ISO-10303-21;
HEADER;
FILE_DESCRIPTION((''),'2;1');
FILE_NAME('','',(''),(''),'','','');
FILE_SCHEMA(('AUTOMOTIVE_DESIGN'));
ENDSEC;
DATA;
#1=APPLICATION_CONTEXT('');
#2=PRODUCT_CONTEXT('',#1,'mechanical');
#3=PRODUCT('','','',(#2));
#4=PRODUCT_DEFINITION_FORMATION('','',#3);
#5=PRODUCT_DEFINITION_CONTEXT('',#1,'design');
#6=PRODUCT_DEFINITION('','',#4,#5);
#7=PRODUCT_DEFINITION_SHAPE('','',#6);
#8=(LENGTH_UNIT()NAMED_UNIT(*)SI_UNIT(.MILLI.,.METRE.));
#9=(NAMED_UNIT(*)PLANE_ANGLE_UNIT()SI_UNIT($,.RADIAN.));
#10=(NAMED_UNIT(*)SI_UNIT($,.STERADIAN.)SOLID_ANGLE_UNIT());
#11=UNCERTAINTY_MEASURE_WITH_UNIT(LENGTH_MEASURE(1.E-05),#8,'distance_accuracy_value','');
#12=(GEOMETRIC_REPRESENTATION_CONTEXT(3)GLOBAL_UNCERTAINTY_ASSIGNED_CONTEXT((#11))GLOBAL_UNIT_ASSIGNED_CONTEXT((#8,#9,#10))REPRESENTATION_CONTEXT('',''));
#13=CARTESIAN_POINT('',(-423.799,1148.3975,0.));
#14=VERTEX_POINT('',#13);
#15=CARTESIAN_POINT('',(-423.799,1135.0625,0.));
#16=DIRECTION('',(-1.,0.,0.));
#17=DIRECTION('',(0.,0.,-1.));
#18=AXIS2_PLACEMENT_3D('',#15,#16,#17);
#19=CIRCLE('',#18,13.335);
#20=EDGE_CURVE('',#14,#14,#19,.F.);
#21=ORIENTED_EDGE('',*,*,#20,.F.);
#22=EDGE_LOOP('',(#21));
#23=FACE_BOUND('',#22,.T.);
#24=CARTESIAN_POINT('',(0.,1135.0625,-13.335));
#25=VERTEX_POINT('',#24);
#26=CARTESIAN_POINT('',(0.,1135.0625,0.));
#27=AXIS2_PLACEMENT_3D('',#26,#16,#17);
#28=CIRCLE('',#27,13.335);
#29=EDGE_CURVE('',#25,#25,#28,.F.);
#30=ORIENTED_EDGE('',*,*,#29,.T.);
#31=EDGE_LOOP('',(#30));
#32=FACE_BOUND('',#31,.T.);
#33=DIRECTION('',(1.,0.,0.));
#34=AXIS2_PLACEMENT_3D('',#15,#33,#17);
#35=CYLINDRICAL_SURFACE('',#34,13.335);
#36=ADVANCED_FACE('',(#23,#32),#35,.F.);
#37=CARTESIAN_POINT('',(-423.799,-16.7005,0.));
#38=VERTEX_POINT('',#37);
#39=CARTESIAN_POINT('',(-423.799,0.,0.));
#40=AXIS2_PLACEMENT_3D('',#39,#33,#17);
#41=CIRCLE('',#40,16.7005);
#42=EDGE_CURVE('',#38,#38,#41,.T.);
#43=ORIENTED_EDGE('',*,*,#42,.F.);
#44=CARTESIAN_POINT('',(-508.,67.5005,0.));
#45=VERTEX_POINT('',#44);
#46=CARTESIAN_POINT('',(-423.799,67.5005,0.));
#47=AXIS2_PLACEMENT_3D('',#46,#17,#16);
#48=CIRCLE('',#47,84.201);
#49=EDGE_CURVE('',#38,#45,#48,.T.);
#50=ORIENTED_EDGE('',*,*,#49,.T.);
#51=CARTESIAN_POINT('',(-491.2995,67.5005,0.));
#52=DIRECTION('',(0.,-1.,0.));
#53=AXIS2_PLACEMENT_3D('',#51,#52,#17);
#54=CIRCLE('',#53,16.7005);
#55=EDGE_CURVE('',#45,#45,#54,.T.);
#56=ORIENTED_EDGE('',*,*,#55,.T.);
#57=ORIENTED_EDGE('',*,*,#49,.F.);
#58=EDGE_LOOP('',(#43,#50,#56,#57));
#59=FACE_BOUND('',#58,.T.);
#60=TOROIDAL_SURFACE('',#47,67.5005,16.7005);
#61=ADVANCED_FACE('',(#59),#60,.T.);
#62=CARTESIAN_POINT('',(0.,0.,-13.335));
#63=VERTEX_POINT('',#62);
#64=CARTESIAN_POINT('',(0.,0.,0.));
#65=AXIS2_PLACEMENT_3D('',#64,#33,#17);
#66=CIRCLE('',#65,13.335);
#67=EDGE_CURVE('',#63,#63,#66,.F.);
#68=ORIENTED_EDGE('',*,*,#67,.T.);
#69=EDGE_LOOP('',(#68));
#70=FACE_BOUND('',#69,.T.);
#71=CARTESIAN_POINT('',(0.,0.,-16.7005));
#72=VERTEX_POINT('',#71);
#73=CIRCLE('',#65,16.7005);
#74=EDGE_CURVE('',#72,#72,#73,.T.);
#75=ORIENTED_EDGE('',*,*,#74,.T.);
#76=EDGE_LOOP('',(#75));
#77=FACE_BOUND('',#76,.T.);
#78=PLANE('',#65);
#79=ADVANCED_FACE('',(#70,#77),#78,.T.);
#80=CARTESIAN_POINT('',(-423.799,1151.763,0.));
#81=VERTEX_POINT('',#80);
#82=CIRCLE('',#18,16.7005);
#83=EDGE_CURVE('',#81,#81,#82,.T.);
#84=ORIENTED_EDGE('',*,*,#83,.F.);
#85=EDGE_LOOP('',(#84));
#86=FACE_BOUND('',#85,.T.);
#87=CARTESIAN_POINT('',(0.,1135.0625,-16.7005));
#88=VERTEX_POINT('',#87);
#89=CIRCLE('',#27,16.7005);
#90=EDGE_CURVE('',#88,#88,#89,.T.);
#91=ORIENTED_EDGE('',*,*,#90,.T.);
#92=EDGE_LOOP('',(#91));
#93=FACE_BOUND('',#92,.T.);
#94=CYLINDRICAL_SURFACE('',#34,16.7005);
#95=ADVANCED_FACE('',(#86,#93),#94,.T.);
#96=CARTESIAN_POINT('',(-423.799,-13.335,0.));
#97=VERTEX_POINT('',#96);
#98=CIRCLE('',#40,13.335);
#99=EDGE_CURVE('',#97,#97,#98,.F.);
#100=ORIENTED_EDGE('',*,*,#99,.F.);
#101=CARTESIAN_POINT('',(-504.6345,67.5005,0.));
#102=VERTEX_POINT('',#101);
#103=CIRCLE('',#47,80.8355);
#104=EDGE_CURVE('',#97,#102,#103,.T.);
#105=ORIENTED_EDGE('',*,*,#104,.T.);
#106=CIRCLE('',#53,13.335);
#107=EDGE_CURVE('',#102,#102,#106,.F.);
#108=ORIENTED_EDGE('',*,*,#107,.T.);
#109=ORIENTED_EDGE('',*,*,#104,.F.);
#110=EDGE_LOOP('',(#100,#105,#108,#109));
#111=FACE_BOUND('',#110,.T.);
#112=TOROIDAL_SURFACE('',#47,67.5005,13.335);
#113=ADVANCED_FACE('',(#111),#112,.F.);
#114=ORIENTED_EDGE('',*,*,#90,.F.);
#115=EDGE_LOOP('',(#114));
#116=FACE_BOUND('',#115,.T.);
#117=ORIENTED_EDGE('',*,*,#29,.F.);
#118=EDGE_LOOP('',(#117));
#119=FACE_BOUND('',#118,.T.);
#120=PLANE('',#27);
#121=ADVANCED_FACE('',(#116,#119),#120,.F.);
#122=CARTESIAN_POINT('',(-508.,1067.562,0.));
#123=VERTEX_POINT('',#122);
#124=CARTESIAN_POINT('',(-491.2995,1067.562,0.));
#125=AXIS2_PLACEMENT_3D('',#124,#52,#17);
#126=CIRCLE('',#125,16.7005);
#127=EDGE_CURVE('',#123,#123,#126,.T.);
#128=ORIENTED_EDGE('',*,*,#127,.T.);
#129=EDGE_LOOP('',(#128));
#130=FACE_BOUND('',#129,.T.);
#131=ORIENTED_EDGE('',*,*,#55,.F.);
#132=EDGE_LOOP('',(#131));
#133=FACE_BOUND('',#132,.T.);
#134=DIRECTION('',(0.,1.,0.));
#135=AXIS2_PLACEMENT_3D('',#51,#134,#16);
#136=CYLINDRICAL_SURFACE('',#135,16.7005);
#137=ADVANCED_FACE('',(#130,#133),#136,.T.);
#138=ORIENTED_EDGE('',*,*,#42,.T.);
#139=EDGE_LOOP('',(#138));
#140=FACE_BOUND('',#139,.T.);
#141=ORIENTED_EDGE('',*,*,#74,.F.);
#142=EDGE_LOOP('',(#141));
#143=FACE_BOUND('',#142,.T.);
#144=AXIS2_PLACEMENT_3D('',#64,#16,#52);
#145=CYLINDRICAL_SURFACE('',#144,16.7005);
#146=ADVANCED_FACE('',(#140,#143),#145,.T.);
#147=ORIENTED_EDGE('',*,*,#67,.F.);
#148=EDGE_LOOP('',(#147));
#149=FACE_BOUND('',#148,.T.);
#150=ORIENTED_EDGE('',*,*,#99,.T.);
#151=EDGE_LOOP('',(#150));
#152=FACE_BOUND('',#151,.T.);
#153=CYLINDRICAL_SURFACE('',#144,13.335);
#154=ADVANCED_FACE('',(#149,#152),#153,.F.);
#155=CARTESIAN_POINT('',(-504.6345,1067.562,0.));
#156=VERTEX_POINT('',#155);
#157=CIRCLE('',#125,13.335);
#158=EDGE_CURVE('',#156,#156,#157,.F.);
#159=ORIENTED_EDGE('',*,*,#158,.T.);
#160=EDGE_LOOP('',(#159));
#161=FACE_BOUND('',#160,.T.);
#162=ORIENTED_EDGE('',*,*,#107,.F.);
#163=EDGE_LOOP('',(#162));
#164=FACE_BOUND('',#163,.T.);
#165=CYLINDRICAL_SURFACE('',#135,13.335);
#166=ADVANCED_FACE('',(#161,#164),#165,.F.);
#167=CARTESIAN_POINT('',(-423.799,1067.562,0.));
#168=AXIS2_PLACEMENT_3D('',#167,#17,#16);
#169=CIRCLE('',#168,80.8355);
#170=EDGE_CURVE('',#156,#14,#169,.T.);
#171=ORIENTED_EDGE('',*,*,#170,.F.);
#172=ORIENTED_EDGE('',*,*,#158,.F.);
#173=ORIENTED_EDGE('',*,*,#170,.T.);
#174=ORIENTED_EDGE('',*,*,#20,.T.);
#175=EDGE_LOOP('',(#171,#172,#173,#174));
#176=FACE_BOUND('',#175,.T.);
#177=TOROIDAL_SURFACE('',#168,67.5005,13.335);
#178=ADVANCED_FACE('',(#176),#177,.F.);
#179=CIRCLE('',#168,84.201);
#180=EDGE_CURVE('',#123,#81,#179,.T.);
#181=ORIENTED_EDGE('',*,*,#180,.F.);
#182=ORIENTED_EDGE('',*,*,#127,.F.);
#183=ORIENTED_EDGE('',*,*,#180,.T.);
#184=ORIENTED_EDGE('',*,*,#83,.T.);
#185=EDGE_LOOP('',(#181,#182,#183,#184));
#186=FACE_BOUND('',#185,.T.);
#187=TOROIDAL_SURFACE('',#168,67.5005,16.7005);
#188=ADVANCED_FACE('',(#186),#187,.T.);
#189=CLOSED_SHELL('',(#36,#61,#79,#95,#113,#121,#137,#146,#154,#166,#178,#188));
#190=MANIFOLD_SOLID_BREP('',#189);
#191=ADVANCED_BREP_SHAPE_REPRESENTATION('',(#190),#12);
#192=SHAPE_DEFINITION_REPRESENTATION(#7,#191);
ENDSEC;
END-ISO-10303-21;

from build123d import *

# Parameters (mm, degrees)
SKETCH2_R   = 16.7005
SKETCH2_R_2 = 13.335


with BuildPart() as part:
    # Sweep1: sweep along a path in Sketch1
    with BuildLine(Plane.XY) as sweep1_path:
        Line((0, 0), (-423.799, 0))
        ThreePointArc((-423.799, 0), (-471.529061283, 19.770438717), (-491.2995, 67.5005))
        Line((-491.2995, 67.5005), (-491.2995, 1067.562))
        ThreePointArc((-491.2995, 1067.562), (-471.529061283, 1115.292061283), (-423.799, 1135.0625))
        Line((-423.799, 1135.0625), (0, 1135.0625))
    # Sketch2 → Sweep1 (sweep)
    with BuildSketch(Plane(origin=(0, 0, 0), x_dir=(0, 0, -1), z_dir=(1, 0, 0))):
        Circle(SKETCH2_R)
        Circle(SKETCH2_R_2, mode=Mode.SUBTRACT)
    sweep(path=sweep1_path.line)


solid = part.part
